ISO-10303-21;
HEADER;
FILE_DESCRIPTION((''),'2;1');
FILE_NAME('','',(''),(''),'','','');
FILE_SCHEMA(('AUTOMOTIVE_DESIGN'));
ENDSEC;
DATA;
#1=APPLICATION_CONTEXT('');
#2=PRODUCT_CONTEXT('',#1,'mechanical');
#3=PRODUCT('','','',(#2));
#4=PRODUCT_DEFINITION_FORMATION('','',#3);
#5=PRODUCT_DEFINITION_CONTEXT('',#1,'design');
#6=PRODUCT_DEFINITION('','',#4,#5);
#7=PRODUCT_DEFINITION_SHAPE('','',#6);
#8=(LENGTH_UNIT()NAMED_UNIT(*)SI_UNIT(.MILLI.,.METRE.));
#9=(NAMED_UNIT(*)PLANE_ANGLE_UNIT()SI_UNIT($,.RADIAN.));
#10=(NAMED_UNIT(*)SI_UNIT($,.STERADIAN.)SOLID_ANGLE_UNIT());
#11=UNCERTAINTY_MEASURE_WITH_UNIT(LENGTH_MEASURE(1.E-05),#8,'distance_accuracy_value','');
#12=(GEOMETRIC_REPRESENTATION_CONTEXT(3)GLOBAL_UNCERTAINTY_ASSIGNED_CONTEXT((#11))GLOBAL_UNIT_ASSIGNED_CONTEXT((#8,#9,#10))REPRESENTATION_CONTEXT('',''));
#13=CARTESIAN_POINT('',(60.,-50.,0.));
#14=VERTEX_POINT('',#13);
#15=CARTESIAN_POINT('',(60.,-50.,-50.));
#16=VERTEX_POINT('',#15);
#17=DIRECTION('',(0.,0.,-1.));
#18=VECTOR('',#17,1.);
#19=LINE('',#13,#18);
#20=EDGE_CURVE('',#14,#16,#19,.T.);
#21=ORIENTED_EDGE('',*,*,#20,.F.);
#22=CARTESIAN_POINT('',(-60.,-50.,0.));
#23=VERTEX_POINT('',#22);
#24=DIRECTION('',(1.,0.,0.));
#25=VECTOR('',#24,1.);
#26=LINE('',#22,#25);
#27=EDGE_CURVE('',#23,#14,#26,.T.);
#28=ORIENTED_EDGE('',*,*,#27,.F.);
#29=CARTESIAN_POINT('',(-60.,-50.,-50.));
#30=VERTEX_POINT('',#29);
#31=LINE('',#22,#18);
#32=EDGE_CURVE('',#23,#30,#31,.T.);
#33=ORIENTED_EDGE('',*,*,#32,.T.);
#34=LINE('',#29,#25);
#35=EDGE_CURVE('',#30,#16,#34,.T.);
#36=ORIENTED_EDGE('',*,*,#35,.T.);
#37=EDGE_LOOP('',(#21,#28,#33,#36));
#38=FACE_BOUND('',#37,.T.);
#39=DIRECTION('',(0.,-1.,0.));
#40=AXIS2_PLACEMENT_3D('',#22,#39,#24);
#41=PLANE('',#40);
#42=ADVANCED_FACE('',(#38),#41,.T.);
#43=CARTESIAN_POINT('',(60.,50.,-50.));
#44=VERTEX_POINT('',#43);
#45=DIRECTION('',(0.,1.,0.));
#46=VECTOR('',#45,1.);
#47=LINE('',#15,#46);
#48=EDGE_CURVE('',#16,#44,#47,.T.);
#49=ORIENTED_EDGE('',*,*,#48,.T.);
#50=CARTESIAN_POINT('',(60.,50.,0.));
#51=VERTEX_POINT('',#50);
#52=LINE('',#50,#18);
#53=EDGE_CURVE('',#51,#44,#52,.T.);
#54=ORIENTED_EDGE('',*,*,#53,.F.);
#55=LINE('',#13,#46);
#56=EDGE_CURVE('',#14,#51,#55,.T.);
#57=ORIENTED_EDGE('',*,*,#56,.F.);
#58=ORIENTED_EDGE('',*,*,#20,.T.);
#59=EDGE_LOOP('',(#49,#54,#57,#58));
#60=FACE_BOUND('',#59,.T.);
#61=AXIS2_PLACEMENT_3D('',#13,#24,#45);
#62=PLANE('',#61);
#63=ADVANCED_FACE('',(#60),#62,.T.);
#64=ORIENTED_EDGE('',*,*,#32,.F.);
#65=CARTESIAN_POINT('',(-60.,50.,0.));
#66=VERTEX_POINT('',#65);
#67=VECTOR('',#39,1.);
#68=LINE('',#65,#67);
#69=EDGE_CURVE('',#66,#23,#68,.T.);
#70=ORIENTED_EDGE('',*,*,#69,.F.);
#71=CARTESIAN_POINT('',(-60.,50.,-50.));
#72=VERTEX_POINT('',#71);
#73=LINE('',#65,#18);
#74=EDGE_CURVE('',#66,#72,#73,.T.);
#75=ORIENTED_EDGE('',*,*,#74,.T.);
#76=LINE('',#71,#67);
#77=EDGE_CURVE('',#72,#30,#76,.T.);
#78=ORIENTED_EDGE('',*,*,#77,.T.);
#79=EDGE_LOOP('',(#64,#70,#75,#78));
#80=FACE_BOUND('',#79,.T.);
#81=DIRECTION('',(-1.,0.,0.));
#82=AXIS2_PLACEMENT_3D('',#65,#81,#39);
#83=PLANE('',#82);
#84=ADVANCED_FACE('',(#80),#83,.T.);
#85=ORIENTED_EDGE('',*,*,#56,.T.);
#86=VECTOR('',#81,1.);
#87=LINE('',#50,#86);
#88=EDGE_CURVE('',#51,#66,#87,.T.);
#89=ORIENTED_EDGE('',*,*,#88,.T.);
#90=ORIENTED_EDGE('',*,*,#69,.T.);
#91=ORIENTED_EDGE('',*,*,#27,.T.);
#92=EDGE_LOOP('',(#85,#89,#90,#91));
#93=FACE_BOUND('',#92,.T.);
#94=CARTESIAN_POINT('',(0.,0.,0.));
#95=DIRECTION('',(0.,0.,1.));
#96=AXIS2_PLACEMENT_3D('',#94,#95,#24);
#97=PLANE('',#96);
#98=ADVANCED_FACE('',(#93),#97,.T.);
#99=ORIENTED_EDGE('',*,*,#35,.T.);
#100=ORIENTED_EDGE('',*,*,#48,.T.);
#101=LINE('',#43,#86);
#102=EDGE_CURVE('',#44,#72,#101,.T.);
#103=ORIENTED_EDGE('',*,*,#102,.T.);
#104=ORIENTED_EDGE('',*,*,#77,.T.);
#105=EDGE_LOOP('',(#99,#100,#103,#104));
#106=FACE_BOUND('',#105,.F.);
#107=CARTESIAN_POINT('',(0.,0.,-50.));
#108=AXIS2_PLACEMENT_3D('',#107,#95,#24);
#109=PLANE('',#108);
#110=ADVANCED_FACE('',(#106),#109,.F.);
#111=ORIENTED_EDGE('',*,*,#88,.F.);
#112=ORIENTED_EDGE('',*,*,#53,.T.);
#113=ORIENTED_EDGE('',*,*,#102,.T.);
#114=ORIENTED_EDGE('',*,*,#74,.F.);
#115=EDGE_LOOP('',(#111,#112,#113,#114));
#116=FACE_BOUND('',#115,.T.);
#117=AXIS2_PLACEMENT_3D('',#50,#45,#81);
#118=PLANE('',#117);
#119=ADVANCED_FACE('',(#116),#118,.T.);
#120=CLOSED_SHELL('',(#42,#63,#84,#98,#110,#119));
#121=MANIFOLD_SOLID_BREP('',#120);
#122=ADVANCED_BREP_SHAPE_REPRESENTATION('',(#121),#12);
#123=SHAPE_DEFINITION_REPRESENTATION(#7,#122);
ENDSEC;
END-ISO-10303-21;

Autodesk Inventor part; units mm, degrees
ref_plane "YZ Plane" through (0, 0, 0) normal (1, 0, 0) x (0, 1, 0)
ref_plane "XZ Plane" through (0, 0, 0) normal (0, 1, 0) x (-1, 0, 0)
ref_plane "XY Plane" through (0, 0, 0) normal (0, 0, 1) x (1, 0, 0)
sketch "Эскиз1" plane through (0, 0, 0) normal (0, 0, 1) x (1, 0, 0)
  line L0 (-60, -50) -> (60, -50)
  line L1 (60, -50) -> (60, 50)
  line L2 (60, 50) -> (-60, 50)
  line L3 (-60, 50) -> (-60, -50)
extrude "Выдавливание1" add sketch "Эскиз1" against normal blind 50
properties part number "MoldBase"
